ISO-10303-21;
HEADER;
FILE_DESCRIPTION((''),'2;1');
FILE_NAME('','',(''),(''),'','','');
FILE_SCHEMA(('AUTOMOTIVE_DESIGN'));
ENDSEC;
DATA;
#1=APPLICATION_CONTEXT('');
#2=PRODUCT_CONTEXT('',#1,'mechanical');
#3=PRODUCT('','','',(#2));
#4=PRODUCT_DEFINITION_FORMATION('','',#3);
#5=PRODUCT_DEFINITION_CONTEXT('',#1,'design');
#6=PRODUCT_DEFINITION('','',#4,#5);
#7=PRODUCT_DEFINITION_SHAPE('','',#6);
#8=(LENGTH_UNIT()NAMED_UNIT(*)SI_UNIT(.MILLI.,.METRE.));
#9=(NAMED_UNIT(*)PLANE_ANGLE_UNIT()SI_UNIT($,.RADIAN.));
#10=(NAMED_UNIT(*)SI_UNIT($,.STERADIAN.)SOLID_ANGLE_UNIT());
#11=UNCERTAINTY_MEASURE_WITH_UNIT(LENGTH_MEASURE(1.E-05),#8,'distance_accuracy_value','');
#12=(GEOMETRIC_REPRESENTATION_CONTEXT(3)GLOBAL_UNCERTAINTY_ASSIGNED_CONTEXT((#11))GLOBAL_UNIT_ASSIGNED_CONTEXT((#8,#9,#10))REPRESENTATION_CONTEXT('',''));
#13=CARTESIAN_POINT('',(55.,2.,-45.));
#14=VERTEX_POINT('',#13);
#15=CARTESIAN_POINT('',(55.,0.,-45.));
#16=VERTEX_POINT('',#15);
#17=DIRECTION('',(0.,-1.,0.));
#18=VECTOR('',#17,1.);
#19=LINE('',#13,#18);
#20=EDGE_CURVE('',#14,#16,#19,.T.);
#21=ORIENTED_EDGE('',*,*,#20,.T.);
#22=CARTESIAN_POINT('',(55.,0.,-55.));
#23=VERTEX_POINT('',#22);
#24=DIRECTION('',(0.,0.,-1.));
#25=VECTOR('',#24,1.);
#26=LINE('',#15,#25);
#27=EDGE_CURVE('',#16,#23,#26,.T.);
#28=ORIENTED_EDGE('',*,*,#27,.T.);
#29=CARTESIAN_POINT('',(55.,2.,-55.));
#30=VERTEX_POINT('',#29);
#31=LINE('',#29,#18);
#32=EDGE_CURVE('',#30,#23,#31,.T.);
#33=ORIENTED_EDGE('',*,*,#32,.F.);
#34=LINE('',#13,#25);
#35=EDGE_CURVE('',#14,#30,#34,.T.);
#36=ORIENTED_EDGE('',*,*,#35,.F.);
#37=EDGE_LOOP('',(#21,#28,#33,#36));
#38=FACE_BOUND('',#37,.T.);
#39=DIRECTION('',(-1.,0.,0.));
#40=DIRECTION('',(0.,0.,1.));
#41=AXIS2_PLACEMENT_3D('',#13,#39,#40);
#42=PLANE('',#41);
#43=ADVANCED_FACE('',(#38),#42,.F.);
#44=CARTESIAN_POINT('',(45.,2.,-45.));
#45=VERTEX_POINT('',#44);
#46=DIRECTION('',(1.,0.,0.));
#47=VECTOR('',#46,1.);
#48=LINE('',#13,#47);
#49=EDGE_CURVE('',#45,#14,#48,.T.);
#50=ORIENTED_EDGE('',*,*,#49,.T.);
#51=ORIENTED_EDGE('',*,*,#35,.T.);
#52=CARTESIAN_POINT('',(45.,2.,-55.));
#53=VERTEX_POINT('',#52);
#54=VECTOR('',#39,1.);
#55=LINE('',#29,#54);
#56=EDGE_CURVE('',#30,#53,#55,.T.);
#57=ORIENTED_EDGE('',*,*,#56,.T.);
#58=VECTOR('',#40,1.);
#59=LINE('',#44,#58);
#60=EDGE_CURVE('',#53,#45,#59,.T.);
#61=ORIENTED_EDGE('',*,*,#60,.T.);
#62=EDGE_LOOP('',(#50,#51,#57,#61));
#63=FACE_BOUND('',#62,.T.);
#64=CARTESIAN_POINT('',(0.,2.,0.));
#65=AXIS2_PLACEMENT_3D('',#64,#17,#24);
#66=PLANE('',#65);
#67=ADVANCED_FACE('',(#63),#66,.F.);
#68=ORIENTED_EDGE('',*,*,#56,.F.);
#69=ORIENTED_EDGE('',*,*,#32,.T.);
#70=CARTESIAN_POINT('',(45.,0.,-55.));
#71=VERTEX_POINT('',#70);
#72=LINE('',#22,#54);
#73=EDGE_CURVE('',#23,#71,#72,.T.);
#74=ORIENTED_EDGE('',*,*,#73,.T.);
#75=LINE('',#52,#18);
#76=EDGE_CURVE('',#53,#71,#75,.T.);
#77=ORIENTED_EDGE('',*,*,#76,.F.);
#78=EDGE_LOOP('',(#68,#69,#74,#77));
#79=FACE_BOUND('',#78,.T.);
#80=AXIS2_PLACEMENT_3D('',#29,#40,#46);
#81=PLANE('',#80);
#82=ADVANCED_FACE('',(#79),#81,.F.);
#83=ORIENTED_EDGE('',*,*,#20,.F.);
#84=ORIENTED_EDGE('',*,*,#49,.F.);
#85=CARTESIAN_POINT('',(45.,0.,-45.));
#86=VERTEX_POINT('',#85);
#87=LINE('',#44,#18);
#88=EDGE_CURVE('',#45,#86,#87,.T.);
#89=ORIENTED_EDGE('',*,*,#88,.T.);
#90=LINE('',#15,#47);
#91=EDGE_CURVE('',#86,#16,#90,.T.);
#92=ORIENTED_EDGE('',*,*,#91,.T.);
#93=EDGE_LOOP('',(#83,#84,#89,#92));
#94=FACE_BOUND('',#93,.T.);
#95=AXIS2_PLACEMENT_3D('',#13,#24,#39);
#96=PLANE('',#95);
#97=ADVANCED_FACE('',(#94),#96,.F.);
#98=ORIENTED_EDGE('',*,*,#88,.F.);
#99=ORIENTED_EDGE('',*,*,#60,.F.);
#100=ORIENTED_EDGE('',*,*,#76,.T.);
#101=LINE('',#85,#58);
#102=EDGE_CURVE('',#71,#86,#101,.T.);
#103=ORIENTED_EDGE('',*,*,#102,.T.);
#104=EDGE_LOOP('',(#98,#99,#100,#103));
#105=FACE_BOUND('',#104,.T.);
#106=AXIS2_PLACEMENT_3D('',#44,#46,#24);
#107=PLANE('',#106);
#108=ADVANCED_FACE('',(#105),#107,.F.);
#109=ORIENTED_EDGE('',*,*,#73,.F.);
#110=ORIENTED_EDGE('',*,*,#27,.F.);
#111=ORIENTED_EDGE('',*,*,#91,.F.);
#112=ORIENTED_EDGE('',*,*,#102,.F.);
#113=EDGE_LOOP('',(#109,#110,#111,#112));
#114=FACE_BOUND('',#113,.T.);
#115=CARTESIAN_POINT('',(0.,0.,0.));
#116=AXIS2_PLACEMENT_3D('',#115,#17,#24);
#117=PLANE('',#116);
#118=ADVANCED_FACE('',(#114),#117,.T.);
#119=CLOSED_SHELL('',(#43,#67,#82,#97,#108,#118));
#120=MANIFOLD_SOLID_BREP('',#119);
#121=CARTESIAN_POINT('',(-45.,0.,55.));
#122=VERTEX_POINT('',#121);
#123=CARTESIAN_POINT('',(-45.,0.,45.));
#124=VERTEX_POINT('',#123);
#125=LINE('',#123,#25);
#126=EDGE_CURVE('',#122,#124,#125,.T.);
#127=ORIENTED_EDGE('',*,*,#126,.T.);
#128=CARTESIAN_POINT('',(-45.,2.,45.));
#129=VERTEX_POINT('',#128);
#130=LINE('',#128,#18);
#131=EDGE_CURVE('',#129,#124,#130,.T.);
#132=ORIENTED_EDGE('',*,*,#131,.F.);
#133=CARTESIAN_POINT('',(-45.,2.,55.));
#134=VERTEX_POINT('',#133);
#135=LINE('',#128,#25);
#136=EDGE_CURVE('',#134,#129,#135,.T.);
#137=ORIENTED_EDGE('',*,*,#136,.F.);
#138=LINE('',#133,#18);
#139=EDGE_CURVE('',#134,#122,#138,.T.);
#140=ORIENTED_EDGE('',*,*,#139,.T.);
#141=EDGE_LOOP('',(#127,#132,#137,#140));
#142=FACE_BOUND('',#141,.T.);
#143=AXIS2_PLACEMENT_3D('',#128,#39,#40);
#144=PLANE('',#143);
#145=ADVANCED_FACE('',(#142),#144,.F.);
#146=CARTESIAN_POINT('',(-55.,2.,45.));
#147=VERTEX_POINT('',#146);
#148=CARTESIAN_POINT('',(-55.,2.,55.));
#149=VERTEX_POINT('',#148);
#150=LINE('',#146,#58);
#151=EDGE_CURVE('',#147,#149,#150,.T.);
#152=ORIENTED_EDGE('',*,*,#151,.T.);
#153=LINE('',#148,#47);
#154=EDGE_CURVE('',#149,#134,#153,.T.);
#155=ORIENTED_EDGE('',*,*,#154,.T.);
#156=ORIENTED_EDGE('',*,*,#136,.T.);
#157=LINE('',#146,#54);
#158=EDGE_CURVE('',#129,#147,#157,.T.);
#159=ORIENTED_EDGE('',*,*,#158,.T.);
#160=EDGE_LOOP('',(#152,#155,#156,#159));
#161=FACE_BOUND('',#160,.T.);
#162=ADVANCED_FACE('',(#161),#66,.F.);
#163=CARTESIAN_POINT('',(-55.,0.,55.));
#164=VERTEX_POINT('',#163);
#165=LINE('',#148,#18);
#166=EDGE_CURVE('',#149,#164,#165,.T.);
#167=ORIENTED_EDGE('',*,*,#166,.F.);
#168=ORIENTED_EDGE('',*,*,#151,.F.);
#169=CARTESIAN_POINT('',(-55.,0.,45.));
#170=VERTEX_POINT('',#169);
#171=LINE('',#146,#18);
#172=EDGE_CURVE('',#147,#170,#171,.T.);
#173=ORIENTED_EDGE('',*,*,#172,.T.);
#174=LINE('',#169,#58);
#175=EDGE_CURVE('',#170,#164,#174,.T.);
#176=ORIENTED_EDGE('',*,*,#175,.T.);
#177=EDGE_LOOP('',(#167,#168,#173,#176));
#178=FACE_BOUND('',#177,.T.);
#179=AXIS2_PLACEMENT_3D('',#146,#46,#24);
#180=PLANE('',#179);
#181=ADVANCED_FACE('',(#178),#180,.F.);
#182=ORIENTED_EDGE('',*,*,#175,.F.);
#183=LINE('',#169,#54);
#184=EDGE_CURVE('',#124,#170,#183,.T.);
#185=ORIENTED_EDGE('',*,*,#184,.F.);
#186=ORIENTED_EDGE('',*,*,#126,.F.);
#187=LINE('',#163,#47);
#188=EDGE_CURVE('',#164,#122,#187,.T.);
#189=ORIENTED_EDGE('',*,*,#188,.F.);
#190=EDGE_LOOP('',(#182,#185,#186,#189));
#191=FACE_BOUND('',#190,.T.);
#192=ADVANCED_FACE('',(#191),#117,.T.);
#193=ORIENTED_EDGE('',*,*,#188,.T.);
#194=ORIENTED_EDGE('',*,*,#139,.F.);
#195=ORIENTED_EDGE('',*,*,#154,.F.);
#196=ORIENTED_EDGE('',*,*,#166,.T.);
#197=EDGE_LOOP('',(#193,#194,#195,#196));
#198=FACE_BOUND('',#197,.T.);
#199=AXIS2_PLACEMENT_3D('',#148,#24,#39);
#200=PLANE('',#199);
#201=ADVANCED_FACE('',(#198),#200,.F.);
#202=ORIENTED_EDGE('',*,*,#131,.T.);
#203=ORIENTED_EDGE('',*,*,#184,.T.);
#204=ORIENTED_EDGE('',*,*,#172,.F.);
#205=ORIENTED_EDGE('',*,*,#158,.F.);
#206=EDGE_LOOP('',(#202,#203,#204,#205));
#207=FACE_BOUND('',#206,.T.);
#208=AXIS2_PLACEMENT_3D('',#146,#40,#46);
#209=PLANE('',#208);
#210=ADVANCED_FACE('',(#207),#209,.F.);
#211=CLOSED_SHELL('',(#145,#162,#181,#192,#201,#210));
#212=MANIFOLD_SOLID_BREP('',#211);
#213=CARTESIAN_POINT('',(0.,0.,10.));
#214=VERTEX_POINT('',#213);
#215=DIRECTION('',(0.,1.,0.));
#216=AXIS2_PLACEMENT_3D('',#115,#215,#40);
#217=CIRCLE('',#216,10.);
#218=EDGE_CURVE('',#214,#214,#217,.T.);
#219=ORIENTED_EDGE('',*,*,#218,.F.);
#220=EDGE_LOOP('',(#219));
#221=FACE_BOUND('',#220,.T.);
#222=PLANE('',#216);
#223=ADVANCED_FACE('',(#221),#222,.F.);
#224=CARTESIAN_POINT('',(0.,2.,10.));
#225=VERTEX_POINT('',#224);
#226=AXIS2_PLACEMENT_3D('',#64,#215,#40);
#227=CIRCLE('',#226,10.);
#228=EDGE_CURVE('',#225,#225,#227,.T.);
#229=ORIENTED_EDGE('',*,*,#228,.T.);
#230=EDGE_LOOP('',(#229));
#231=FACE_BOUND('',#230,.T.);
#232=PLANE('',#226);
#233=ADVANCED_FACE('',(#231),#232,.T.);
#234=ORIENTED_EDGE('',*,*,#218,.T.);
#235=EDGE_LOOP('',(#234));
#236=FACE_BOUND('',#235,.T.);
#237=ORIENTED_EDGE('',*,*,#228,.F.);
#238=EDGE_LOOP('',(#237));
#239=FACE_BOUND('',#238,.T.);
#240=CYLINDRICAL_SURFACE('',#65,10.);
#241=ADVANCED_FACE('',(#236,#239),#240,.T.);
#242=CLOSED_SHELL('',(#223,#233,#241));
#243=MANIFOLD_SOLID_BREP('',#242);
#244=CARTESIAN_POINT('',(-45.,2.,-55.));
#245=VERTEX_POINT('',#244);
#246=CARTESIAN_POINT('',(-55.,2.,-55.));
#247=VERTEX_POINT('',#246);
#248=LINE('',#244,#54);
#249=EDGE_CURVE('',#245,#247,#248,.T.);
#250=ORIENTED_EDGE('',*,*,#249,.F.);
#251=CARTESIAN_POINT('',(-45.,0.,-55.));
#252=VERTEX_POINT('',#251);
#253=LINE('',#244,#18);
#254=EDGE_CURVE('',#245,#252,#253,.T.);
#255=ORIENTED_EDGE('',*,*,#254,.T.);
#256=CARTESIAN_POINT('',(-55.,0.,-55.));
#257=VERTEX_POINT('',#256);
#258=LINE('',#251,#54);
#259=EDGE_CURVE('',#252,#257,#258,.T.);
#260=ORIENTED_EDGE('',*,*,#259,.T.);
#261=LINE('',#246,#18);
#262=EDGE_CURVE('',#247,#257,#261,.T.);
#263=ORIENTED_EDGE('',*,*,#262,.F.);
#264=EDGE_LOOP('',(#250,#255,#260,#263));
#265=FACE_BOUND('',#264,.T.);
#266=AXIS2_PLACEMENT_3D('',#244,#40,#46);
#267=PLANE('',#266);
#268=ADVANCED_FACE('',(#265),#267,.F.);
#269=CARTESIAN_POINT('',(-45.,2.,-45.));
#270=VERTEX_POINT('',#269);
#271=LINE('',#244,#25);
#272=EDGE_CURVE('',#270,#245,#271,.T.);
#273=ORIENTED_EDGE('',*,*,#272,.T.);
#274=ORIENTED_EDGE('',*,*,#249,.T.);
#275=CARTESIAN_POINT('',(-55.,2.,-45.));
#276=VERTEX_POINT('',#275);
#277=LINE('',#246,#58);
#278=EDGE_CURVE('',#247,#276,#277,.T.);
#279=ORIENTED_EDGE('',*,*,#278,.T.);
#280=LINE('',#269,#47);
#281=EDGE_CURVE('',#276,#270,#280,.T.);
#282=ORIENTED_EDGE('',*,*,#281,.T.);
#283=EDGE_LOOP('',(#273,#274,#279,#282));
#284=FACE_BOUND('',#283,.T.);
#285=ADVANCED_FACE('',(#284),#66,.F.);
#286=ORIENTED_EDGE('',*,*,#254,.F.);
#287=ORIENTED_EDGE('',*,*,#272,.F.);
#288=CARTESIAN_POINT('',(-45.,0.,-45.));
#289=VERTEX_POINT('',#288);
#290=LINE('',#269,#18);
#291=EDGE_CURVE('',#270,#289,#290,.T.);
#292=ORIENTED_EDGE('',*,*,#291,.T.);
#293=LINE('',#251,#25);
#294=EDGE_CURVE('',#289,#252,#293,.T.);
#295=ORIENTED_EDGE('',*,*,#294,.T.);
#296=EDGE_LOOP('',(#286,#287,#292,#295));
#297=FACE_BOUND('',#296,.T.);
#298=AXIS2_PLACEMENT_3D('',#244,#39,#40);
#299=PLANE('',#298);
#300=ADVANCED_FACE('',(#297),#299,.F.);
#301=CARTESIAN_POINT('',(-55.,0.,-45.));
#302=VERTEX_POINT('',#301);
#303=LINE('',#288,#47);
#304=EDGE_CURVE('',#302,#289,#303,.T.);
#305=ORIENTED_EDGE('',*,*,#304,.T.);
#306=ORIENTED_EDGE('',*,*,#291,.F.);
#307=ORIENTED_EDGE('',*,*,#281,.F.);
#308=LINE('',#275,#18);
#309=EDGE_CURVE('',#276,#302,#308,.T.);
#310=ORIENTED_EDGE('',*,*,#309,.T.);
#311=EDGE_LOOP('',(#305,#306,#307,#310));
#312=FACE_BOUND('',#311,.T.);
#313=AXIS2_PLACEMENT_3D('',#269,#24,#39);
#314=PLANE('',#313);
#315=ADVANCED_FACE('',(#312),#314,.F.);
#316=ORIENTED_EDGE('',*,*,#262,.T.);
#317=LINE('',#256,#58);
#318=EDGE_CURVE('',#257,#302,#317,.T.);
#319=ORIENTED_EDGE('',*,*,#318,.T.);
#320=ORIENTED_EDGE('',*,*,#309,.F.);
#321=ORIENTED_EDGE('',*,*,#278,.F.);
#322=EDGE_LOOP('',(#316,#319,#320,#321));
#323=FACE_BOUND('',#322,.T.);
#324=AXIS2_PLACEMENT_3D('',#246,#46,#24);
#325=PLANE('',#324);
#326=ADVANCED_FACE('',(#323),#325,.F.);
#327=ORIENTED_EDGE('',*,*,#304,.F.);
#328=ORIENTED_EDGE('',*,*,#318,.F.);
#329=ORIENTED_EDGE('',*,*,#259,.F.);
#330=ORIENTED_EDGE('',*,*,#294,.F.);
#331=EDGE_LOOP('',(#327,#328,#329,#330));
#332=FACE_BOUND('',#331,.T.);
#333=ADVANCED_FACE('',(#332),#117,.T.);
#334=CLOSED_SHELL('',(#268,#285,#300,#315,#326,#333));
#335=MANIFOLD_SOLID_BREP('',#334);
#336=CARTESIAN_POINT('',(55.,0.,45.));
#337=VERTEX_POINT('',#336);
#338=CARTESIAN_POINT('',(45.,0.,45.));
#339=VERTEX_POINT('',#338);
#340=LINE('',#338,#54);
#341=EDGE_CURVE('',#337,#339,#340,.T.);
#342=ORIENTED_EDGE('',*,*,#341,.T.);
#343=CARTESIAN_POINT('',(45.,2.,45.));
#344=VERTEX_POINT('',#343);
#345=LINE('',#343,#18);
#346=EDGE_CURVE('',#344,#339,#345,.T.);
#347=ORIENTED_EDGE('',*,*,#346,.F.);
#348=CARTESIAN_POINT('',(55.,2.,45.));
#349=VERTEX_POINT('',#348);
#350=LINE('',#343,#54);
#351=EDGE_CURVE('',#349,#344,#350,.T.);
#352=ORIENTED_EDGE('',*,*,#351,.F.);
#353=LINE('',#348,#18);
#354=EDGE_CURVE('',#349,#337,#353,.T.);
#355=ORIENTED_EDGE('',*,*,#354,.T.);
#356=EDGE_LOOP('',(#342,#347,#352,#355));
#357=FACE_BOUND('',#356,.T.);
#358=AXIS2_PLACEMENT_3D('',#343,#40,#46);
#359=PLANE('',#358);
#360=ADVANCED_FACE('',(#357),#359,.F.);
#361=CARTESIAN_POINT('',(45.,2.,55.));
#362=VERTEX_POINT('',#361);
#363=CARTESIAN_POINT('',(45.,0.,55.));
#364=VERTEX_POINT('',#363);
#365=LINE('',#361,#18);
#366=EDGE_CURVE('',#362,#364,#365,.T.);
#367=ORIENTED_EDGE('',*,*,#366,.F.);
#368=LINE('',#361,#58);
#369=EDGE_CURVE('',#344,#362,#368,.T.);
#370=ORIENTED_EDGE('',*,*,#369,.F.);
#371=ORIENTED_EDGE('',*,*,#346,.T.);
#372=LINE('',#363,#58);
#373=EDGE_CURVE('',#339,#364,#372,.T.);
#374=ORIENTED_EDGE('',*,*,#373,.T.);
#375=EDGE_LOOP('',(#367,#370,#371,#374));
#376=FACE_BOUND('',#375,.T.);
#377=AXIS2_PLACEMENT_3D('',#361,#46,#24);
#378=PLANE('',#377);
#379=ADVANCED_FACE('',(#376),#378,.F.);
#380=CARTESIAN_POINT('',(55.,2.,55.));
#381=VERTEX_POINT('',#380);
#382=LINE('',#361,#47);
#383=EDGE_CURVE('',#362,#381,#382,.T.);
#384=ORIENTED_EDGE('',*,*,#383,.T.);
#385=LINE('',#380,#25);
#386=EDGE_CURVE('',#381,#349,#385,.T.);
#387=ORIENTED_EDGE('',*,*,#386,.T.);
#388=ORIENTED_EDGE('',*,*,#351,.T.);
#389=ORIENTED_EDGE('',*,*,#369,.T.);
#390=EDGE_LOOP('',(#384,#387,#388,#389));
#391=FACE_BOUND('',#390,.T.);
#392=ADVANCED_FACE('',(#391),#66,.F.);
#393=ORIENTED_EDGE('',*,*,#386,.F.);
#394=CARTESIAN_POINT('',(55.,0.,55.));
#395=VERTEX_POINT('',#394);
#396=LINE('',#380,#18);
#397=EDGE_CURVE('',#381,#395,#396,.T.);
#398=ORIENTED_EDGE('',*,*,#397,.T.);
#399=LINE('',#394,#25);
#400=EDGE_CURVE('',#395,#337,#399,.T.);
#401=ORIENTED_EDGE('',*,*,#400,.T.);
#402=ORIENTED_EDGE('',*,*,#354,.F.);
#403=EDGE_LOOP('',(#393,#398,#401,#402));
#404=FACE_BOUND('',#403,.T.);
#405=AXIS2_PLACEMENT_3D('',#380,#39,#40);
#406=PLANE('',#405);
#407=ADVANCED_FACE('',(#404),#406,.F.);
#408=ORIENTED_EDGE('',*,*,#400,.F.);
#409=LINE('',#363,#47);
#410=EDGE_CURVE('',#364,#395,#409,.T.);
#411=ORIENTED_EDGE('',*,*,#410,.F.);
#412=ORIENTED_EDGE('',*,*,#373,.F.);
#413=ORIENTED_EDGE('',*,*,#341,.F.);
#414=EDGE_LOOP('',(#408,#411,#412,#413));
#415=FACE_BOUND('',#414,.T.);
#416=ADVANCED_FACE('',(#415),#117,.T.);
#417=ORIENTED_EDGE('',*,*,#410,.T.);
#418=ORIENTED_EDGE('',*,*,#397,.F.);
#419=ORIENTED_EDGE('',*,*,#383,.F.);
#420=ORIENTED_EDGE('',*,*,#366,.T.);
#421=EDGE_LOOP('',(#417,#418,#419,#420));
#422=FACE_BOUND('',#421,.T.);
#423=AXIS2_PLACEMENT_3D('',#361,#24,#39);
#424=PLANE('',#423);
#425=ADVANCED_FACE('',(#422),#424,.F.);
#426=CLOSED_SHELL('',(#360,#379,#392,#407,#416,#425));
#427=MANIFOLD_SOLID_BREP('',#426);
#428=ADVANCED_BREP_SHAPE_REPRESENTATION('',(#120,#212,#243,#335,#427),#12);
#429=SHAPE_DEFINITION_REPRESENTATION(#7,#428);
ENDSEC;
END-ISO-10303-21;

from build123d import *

# Parameters (mm, degrees)
SKIZZE1_R                         = 10
AUFSATZ_LINEAR_AUSTRAGEN1_DEPTH   = 2
SKIZZE1_W                         = 10
SKIZZE1_H                         = 10
AUFSATZ_LINEAR_AUSTRAGEN1_2_DEPTH = 2
AUFSATZ_LINEAR_AUSTRAGEN1_3_DEPTH = 2
AUFSATZ_LINEAR_AUSTRAGEN1_4_DEPTH = 2
AUFSATZ_LINEAR_AUSTRAGEN1_5_DEPTH = 2


with BuildPart() as part:
    # Skizze1 → Aufsatz-Linear austragen1 (new body)
    with BuildSketch(Plane(origin=(0, 0, 0), x_dir=(1, 0, 0), z_dir=(0, 1, 0))):
        with Locations(Location((0, 0, 0), (0, 0, 270))):
            Circle(SKIZZE1_R)
    extrude(amount=AUFSATZ_LINEAR_AUSTRAGEN1_DEPTH)


with BuildPart() as body_2:
    # Skizze1 → Aufsatz-Linear austragen1 2 (new body)
    with BuildSketch(Plane(origin=(0, 0, 0), x_dir=(1, 0, 0), z_dir=(0, 1, 0))):
        with Locations((50, 50)):
            Rectangle(SKIZZE1_W, SKIZZE1_H)
    extrude(amount=AUFSATZ_LINEAR_AUSTRAGEN1_2_DEPTH)


with BuildPart() as body_3:
    # Skizze1 → Aufsatz-Linear austragen1 3 (new body)
    with BuildSketch(Plane(origin=(0, 0, 0), x_dir=(1, 0, 0), z_dir=(0, 1, 0))):
        with Locations((-50, 50)):
            Rectangle(SKIZZE1_W, SKIZZE1_H)
    extrude(amount=AUFSATZ_LINEAR_AUSTRAGEN1_3_DEPTH)


with BuildPart() as body_4:
    # Skizze1 → Aufsatz-Linear austragen1 4 (new body)
    with BuildSketch(Plane(origin=(0, 0, 0), x_dir=(1, 0, 0), z_dir=(0, 1, 0))):
        with Locations((50, -50)):
            Rectangle(SKIZZE1_W, SKIZZE1_H)
    extrude(amount=AUFSATZ_LINEAR_AUSTRAGEN1_4_DEPTH)


with BuildPart() as body_5:
    # Skizze1 → Aufsatz-Linear austragen1 5 (new body)
    with BuildSketch(Plane(origin=(0, 0, 0), x_dir=(1, 0, 0), z_dir=(0, 1, 0))):
        with Locations((-50, -50)):
            Rectangle(SKIZZE1_W, SKIZZE1_H)
    extrude(amount=AUFSATZ_LINEAR_AUSTRAGEN1_5_DEPTH)


solid = Compound([part.part, body_2.part, body_3.part, body_4.part, body_5.part])
